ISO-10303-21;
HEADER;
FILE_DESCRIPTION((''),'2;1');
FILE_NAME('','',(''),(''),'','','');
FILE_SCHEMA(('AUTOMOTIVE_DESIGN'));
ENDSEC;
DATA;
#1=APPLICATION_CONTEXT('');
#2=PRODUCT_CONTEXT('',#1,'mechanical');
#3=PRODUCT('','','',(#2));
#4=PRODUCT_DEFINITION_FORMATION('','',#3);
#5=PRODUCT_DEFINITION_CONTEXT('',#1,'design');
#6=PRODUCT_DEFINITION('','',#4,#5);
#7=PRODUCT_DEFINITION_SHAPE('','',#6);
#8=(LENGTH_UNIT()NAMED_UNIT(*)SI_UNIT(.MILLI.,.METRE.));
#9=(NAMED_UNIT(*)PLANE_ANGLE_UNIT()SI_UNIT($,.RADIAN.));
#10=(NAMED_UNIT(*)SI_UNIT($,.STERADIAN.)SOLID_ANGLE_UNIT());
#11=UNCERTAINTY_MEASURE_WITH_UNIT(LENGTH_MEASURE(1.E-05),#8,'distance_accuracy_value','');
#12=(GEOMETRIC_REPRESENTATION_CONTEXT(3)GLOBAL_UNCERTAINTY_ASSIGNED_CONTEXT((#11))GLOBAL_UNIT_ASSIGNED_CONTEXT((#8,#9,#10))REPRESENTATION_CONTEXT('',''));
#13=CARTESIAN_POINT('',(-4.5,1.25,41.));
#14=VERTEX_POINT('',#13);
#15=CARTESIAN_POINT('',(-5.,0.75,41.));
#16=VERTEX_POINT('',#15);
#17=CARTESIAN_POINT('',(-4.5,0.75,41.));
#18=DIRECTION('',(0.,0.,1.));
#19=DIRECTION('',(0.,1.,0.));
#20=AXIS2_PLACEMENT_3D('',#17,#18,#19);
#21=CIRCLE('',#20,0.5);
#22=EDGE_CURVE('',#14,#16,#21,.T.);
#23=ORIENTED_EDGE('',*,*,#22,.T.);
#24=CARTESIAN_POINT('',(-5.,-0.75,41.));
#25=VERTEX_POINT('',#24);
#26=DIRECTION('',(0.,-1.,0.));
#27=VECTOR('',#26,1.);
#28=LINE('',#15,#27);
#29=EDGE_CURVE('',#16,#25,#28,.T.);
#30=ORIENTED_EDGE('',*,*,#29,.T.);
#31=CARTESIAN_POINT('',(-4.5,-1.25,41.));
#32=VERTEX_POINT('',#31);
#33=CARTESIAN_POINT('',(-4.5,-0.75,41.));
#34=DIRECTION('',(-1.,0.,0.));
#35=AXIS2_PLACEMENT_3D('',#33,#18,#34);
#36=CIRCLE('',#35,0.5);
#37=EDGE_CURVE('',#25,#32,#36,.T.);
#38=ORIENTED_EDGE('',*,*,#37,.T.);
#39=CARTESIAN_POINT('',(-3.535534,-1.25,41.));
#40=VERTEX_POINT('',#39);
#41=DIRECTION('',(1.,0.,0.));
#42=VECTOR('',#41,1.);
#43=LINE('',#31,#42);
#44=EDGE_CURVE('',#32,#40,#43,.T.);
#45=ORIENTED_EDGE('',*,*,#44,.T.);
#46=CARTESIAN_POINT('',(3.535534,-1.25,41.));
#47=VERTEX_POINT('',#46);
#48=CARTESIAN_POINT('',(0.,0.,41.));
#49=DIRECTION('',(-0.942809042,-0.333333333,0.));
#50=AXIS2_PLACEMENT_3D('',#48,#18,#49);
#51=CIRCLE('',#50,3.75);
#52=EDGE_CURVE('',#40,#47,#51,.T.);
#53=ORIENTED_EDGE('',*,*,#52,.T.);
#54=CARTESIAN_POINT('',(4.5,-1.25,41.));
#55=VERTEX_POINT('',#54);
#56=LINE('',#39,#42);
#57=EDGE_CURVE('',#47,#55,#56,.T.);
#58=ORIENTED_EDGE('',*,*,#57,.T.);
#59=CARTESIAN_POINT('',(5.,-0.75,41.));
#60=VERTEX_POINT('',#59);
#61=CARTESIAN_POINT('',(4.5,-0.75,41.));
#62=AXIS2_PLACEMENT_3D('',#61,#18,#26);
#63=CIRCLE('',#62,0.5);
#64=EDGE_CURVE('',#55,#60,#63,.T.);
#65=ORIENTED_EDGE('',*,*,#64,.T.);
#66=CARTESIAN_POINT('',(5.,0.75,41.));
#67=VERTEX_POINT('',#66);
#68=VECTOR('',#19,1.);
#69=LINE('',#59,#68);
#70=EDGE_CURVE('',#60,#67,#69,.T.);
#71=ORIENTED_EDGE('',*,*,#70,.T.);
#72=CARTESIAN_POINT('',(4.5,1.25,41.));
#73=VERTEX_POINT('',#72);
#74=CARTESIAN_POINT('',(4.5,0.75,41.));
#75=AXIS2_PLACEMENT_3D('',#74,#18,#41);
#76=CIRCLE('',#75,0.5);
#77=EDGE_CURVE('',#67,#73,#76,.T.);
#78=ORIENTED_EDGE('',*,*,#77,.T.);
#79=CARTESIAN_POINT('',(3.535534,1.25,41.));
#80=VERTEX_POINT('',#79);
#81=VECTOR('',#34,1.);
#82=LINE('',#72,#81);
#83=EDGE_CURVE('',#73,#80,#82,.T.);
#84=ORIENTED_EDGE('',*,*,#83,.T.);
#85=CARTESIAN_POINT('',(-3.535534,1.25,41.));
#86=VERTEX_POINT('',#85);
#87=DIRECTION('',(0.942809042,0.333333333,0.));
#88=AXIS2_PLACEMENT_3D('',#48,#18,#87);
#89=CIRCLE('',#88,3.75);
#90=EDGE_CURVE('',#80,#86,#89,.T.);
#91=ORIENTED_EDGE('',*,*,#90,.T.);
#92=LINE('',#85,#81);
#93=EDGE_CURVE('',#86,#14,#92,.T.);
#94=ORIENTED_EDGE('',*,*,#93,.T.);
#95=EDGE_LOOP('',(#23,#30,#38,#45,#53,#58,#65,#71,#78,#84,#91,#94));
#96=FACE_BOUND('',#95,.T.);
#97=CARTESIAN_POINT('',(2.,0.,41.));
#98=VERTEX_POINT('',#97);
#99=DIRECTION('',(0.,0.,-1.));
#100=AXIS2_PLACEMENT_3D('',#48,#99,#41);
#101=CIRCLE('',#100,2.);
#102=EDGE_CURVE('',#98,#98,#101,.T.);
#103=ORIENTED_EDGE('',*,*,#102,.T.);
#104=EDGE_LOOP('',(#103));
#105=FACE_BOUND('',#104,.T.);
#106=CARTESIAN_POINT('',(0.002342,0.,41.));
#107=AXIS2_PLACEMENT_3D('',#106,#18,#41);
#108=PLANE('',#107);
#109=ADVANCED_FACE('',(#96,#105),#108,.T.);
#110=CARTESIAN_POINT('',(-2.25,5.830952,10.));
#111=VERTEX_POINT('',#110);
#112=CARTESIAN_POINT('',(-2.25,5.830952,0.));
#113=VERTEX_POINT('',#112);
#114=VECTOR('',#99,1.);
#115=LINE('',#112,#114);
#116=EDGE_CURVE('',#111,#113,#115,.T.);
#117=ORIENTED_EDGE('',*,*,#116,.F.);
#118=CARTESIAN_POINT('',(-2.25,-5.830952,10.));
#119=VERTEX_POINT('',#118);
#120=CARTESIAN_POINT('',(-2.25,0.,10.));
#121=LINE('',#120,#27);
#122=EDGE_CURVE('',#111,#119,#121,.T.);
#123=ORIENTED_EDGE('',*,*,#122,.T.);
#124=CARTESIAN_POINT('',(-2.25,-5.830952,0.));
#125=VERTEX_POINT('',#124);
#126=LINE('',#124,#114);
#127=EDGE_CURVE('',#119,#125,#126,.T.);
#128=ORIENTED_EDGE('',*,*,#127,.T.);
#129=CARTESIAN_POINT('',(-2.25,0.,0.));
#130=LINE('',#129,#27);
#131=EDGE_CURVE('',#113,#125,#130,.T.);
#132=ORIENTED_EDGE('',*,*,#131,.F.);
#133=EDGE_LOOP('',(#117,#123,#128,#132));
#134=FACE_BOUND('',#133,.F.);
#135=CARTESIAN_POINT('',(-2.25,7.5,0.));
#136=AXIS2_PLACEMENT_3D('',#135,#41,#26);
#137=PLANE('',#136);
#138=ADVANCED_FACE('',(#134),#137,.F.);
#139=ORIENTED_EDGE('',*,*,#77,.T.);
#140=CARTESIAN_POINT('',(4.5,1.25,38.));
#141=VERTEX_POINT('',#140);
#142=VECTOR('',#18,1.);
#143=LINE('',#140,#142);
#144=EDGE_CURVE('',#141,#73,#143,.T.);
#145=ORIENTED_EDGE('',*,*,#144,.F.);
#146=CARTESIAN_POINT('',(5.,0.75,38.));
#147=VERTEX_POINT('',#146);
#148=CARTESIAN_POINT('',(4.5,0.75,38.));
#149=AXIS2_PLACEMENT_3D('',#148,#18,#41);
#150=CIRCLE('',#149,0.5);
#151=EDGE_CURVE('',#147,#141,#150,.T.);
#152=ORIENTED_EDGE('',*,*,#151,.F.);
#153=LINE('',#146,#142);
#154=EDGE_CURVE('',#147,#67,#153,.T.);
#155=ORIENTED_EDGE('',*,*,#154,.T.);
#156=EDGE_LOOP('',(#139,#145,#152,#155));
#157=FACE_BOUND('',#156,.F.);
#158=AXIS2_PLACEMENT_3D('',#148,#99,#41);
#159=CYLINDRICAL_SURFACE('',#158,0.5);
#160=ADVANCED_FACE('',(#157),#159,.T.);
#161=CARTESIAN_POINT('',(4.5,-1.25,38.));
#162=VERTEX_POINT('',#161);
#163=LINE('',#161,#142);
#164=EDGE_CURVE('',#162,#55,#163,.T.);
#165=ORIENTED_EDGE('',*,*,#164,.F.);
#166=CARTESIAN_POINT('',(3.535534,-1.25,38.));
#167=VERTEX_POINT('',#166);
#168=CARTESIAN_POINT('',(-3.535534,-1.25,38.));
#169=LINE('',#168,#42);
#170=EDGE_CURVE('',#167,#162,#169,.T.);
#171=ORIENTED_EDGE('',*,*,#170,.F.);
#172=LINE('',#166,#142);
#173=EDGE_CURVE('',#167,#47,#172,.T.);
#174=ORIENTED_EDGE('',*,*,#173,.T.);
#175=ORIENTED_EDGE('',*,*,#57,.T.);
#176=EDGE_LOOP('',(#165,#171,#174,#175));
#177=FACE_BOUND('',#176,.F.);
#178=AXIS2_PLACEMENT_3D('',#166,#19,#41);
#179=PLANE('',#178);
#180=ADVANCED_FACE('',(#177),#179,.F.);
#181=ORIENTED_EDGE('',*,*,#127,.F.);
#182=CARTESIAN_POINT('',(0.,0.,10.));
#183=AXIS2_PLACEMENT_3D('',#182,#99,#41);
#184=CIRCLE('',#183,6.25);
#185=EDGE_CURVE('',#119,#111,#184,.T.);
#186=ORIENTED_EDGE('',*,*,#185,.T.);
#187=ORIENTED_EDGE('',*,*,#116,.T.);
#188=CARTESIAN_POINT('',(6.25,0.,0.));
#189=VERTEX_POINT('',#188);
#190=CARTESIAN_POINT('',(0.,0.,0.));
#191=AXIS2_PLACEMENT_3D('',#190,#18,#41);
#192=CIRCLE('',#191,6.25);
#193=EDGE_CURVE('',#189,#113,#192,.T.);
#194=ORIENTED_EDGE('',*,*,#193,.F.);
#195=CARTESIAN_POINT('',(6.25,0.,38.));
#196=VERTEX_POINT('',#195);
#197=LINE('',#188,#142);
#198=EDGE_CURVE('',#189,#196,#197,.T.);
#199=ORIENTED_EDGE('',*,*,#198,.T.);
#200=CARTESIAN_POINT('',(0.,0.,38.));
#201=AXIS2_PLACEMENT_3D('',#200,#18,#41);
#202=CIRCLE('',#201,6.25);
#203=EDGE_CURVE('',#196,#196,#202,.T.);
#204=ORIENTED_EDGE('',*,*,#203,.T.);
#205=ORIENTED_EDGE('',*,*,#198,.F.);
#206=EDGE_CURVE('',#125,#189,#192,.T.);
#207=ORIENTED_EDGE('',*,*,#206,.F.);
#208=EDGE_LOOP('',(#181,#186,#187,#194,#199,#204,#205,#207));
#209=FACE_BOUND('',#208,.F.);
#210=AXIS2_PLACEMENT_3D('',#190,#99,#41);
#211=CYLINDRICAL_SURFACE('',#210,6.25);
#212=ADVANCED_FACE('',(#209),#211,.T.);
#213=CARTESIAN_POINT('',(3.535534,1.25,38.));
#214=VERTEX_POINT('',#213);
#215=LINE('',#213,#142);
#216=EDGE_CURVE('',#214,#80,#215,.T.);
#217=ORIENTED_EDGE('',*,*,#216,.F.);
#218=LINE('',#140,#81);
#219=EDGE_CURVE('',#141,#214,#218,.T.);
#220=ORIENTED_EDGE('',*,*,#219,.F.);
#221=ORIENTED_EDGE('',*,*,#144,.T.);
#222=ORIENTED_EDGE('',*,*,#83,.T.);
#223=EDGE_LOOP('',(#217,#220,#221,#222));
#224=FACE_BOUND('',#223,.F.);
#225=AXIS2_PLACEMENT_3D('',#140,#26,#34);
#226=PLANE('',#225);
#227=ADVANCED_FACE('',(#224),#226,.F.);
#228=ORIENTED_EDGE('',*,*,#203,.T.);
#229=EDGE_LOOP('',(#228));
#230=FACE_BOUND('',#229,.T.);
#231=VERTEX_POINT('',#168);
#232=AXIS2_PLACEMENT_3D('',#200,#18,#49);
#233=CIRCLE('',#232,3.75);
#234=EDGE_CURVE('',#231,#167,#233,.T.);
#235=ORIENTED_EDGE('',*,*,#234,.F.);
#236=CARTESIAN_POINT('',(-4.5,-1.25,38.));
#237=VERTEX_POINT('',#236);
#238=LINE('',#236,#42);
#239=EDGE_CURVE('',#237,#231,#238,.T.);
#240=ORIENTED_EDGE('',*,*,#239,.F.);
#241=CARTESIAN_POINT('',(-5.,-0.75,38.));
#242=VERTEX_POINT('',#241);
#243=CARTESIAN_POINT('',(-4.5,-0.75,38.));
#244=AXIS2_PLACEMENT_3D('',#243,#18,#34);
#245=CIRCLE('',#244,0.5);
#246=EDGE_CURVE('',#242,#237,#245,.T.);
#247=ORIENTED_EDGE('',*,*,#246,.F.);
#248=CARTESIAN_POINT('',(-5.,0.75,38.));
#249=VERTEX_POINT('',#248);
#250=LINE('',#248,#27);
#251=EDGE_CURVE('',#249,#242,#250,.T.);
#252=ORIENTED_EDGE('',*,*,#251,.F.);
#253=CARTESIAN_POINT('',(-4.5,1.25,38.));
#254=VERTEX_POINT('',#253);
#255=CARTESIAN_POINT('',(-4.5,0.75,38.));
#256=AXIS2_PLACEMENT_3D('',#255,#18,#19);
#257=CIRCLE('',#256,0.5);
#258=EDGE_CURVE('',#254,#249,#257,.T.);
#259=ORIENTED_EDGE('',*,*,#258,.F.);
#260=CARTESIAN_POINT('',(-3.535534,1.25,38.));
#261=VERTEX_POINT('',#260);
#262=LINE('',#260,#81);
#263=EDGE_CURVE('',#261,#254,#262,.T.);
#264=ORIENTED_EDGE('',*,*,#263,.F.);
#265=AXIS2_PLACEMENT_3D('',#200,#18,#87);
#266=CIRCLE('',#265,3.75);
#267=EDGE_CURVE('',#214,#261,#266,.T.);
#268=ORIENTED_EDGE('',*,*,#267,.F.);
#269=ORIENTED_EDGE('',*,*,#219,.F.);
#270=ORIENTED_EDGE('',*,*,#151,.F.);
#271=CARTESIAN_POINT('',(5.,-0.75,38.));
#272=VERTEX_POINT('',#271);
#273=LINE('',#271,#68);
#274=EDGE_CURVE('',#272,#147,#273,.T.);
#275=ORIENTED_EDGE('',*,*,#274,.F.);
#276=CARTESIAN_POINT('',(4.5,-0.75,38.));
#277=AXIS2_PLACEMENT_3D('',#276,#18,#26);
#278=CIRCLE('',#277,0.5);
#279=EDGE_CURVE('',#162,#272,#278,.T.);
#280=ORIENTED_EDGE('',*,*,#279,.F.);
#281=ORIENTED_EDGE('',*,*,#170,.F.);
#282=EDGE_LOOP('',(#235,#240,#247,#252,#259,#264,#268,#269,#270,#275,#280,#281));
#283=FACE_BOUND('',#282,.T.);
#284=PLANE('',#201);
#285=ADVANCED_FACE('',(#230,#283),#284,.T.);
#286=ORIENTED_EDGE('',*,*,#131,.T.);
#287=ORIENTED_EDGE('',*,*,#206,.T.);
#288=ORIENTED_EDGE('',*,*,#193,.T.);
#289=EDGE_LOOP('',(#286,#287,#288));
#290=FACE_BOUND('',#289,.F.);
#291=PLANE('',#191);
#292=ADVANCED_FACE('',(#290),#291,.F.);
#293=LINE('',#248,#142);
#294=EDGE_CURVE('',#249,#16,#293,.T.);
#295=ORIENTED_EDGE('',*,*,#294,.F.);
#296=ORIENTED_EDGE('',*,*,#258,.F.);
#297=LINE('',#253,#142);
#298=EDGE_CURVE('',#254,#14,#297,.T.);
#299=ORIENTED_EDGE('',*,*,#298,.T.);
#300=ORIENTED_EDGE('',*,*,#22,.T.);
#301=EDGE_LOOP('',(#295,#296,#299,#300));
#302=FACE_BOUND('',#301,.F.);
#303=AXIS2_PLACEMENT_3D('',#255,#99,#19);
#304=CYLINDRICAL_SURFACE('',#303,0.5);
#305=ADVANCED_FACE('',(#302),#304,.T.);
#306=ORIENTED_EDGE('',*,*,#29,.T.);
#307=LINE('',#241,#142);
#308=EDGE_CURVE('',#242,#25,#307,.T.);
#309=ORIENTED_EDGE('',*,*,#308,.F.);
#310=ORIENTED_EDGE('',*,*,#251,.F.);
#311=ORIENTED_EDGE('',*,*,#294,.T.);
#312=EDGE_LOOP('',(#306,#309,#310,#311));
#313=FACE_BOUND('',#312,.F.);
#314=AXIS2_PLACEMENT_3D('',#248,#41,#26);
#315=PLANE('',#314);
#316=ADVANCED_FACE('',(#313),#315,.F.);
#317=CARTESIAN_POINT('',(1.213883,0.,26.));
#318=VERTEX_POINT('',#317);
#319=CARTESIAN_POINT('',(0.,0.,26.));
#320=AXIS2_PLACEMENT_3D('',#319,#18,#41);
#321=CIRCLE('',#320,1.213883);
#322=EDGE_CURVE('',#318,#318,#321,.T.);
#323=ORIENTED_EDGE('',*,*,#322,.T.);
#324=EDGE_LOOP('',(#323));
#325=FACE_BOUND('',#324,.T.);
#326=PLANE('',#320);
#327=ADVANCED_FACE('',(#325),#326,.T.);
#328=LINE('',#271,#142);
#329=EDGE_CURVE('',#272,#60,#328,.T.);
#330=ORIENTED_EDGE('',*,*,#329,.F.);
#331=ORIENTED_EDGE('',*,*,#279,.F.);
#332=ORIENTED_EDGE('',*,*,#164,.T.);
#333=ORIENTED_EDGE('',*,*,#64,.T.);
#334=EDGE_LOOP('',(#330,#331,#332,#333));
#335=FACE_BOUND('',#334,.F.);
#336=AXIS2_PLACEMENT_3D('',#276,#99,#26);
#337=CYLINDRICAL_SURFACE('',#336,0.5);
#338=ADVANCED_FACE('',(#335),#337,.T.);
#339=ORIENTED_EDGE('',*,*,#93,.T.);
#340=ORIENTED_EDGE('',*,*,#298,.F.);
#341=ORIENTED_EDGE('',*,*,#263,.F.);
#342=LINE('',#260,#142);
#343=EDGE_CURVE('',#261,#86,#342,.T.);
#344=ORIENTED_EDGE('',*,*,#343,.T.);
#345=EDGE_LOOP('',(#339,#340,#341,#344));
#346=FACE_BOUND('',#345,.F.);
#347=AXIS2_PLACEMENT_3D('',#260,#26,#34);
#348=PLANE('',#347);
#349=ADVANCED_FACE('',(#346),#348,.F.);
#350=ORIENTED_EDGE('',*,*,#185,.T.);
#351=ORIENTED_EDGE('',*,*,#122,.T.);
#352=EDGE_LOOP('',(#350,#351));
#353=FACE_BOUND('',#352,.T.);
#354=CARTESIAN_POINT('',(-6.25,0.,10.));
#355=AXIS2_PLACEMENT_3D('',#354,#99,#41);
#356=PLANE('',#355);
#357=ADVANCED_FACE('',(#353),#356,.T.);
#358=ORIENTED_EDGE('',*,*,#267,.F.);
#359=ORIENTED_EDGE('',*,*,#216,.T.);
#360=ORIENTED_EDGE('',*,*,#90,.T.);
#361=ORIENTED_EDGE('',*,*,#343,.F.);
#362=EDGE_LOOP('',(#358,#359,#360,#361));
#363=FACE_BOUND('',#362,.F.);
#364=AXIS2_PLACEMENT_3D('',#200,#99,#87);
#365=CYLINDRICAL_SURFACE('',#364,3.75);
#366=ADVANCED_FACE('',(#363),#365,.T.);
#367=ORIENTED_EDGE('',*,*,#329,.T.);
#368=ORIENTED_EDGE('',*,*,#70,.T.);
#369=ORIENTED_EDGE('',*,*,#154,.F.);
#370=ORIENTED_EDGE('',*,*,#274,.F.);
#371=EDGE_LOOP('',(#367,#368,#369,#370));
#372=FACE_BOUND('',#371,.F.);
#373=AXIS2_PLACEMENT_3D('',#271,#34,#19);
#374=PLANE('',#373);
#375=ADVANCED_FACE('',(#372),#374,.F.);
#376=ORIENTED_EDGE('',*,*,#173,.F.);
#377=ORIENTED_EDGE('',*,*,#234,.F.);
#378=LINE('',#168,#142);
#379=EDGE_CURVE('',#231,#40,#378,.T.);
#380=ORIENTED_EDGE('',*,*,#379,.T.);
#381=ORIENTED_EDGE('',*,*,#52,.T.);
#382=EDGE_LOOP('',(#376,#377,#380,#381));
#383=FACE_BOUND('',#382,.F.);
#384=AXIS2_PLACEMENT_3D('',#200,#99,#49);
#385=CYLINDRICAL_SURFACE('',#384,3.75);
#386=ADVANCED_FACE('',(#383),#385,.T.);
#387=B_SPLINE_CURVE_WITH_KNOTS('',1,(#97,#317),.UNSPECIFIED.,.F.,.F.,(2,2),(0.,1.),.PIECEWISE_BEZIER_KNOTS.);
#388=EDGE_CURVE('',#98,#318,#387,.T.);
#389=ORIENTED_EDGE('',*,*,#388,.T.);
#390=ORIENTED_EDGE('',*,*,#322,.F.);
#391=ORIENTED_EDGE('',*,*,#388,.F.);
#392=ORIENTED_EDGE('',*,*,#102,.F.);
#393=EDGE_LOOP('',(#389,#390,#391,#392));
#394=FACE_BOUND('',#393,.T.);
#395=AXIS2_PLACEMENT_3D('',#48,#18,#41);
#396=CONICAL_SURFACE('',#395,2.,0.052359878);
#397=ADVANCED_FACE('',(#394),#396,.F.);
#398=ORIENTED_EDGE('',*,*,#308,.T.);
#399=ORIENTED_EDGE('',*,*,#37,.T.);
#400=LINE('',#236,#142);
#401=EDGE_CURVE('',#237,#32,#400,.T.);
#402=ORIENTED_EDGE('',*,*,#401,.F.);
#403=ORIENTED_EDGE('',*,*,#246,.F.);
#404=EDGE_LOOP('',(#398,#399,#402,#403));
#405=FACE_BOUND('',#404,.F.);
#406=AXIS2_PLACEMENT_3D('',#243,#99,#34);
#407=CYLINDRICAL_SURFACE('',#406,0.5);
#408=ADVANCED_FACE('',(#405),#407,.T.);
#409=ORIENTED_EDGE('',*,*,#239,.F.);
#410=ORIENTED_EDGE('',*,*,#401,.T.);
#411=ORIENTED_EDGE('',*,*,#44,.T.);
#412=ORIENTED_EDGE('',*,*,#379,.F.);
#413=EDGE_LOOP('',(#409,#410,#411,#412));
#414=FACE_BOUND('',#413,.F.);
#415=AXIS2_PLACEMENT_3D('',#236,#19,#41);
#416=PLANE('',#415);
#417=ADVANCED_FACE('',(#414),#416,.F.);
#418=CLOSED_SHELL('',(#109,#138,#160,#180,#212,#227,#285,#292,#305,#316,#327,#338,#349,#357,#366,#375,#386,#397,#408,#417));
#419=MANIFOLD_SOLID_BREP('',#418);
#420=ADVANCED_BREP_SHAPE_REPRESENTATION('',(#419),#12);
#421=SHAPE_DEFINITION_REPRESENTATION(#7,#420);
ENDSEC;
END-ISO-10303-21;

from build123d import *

# Parameters (mm, degrees)
F0_R     = 6.25
F1_DEPTH = 38
F3_DEPTH = 3
F4_R     = 2
F5_DEPTH = 15
F5_TAPER = 3
F6_W     = 8
F6_H     = 15
F7_DEPTH = 10


with BuildPart() as f1:
    # F0 (on Top) → F1 (new body)
    with BuildSketch(Plane.XY):
        Circle(F0_R)
    extrude(amount=F1_DEPTH)

    # F2 (on face) → F3 (join)
    with BuildSketch(Plane.XY.offset(38)):
        with BuildLine():
            ThreePointArc((3.5355339059, -1.25), (3.6959945987, -0.6341324202), (3.75, 0))
            ThreePointArc((3.75, 0), (3.6959945987, 0.6341324202), (3.5355339059, 1.25))
            Line((3.5355339059, 1.25), (-3.5355339059, 1.25))
            ThreePointArc((-3.5355339059, 1.25), (-3.75, 0), (-3.5355339059, -1.25))
            Line((-3.5355339059, -1.25), (3.5355339059, -1.25))
        make_face()
        with BuildLine():
            ThreePointArc((3.5355339059, 1.25), (3.6959945987, 0.6341324202), (3.75, 0))
            ThreePointArc((3.75, 0), (3.6959945987, -0.6341324202), (3.5355339059, -1.25))
            Line((3.5355339059, -1.25), (4.5, -1.25))
            ThreePointArc((4.5, -1.25), (4.8535533906, -1.1035533906), (5, -0.75))
            Line((5, -0.75), (5, 0.75))
            ThreePointArc((5, 0.75), (4.8535533906, 1.1035533906), (4.5, 1.25))
            Line((4.5, 1.25), (3.5355339059, 1.25))
        make_face()
        with BuildLine():
            Line((-3.5355339059, 1.25), (3.5355339059, 1.25))
            ThreePointArc((3.5355339059, 1.25), (0, 3.75), (-3.5355339059, 1.25))
        make_face()
        with BuildLine():
            ThreePointArc((-3.5355339059, -1.25), (0, -3.75), (3.5355339059, -1.25))
            Line((3.5355339059, -1.25), (-3.5355339059, -1.25))
        make_face()
        with BuildLine():
            ThreePointArc((-3.5355339059, -1.25), (-3.75, 0), (-3.5355339059, 1.25))
            Line((-3.5355339059, 1.25), (-4.5, 1.25))
            ThreePointArc((-4.5, 1.25), (-4.8535533906, 1.1035533906), (-5, 0.75))
            Line((-5, 0.75), (-5, -0.75))
            ThreePointArc((-5, -0.75), (-4.8535533906, -1.1035533906), (-4.5, -1.25))
            Line((-4.5, -1.25), (-3.5355339059, -1.25))
        make_face()
    extrude(amount=F3_DEPTH)

    # F4 (on face) → F5 (cut)
    with BuildSketch(Plane.XY.offset(41)):
        Circle(F4_R)
    extrude(amount=-F5_DEPTH, taper=F5_TAPER, mode=Mode.SUBTRACT)

    # F6 (on face) → F7 (cut)
    with BuildSketch(Plane(origin=(0, 0, 0), x_dir=(1, 0, 0), z_dir=(0, 0, -1))):
        with Locations((-6.25, 0)):
            Rectangle(F6_W, F6_H)
    extrude(amount=-F7_DEPTH, mode=Mode.SUBTRACT)


solid = f1.part
